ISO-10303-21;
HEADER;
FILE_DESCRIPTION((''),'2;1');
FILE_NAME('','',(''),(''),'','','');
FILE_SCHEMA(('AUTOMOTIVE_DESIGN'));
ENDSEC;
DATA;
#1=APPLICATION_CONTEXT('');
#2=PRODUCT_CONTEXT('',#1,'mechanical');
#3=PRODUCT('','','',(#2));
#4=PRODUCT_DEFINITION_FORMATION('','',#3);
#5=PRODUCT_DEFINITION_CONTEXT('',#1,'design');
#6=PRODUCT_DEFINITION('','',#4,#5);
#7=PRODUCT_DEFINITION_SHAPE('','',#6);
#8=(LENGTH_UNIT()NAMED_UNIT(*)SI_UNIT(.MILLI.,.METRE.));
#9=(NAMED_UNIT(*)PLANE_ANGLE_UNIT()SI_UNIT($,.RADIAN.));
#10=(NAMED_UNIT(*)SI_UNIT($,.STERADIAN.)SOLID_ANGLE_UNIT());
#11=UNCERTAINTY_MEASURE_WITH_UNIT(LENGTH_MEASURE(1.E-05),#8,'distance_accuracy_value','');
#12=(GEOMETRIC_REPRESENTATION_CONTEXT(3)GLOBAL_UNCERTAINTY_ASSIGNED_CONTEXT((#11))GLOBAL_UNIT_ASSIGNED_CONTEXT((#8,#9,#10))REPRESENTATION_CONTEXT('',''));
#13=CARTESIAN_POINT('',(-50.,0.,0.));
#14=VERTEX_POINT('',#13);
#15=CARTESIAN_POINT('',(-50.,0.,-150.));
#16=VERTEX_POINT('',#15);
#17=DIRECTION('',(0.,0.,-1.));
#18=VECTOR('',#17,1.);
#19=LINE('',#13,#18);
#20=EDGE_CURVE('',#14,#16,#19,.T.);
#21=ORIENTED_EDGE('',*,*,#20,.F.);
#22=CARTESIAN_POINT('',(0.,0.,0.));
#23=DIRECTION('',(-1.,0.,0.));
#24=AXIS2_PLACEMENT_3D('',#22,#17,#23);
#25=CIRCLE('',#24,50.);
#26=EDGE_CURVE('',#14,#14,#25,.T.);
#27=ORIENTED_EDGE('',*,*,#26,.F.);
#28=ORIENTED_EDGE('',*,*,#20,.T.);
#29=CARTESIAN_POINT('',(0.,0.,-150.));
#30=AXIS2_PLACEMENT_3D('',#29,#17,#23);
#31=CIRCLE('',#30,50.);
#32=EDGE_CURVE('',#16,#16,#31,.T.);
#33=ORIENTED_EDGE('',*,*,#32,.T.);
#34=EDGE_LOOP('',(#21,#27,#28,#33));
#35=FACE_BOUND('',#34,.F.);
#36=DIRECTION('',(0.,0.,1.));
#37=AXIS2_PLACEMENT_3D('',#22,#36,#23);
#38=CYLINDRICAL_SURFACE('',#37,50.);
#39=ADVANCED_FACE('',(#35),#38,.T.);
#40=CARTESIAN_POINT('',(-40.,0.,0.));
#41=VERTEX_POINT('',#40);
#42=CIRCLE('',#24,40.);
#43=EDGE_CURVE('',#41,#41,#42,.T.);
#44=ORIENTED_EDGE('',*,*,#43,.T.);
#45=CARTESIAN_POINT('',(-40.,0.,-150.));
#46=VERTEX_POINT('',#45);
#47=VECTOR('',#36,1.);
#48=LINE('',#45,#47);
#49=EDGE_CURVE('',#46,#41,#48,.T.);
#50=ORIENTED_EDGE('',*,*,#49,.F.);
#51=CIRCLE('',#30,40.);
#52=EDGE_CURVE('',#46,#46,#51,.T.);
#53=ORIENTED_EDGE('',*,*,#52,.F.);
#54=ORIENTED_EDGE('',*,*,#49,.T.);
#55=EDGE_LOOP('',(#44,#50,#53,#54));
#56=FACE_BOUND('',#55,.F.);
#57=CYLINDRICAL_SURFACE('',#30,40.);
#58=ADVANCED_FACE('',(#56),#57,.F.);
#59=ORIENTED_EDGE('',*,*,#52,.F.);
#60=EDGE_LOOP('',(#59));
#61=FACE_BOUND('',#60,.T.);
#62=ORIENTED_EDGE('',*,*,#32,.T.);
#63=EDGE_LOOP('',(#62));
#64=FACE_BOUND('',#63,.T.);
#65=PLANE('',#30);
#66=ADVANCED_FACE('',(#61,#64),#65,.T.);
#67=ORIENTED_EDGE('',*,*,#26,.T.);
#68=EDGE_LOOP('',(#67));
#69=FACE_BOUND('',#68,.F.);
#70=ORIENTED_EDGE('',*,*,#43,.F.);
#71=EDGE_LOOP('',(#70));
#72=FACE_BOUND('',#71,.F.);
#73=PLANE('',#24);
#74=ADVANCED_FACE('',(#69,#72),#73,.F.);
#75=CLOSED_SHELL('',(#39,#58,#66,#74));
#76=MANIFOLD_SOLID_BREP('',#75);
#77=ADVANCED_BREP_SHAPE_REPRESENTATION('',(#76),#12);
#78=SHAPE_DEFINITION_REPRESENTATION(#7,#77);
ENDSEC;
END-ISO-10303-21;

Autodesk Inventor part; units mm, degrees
ref_plane "YZ Plane" through (0, 0, 0) normal (1, 0, 0) x (0, 1, 0)
ref_plane "XZ Plane" through (0, 0, 0) normal (0, 1, 0) x (-1, 0, 0)
ref_plane "XY Plane" through (0, 0, 0) normal (0, 0, 1) x (1, 0, 0)
ref_plane "Work Plane1" through (0, 0, 0) normal (0, 0, -1) x (-1, 0, 0)
sketch "Sketch2" plane through (0, 0, 0) normal (0, 0, -1) x (-1, 0, 0)
  circle A0 centre (0, 0) radius 50
  dimension "d4" = 100
extrude "Extrusion2" add sketch "Sketch2" along normal blind 150
ref_plane "Work Plane2" through (0, 0, -150) normal (0, 0, -1) x (-1, 0, 0)
sketch "Sketch4" plane through (0, 0, -150) normal (0, 0, -1) x (-1, 0, 0)
  circle A0 centre (0, 0) radius 50 projected
  circle A1 centre (0, 0) radius 40
  dimension "d7" = 80
extrude "Extrusion3" cut sketch "Sketch4" against normal blind 150 contours A1
properties part number "badan 1"
